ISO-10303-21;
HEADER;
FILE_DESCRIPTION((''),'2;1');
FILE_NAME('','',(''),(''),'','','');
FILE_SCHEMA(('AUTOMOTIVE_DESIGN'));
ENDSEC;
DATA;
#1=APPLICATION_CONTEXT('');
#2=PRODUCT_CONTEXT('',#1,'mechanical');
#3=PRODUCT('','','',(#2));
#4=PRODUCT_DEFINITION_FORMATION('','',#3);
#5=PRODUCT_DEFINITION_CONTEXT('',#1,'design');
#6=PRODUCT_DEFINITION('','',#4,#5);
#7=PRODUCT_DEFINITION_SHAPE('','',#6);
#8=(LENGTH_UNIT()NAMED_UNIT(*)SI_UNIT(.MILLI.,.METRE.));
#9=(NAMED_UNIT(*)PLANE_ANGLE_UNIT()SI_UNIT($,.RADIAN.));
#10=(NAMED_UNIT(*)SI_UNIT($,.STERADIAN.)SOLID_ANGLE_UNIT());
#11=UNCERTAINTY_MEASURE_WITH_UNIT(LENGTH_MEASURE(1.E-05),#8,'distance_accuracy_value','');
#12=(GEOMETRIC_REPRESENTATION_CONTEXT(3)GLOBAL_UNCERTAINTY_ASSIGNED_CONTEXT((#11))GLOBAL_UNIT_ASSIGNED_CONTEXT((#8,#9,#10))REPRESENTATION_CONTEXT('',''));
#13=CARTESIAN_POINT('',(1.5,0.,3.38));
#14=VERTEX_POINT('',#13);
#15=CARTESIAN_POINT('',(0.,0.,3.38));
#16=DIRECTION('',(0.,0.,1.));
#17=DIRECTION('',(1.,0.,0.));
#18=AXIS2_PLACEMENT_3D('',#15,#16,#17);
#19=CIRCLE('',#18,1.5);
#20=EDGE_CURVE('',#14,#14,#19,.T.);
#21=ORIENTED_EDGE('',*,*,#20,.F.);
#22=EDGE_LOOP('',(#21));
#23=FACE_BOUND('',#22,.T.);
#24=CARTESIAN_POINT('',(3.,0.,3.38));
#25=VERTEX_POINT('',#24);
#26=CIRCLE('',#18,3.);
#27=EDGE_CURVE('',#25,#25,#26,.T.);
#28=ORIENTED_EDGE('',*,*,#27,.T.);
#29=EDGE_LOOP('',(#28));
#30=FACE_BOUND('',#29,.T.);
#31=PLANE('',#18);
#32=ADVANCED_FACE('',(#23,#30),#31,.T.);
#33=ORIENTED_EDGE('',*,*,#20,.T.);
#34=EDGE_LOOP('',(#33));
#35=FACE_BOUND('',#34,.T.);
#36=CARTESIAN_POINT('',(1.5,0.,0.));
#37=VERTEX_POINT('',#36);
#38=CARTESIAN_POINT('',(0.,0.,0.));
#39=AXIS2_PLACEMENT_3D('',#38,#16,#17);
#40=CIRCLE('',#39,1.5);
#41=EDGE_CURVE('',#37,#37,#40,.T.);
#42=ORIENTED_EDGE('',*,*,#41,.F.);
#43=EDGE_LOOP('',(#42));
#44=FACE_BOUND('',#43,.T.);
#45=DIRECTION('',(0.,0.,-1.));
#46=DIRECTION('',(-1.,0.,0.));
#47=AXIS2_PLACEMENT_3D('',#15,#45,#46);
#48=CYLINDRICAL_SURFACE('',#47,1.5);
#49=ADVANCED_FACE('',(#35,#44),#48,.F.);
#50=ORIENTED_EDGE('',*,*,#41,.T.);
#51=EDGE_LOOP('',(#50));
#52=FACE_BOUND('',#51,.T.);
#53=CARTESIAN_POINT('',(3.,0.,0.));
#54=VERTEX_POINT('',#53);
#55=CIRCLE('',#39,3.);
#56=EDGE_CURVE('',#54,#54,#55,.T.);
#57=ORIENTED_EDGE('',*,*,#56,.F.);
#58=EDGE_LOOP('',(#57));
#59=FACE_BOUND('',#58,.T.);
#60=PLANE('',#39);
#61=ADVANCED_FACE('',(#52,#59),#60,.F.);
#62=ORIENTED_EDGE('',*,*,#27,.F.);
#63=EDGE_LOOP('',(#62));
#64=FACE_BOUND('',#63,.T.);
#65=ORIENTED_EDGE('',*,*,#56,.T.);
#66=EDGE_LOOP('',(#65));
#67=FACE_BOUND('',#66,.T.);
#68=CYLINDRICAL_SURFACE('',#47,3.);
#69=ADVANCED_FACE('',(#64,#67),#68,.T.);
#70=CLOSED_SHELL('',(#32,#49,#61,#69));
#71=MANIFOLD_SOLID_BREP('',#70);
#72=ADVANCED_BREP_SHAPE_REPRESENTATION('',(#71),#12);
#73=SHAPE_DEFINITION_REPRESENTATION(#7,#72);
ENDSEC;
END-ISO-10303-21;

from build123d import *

# Parameters (mm, degrees)
SKETCH1_R           = 3
SKETCH1_R_2         = 1.5
BOSS_EXTRUDE1_DEPTH = 3.38


with BuildPart() as part:
    # Sketch1 → Boss-Extrude1 (new body)
    with BuildSketch(Plane.XY):
        Circle(SKETCH1_R)
        Circle(SKETCH1_R_2, mode=Mode.SUBTRACT)
    extrude(amount=BOSS_EXTRUDE1_DEPTH)


solid = part.part
